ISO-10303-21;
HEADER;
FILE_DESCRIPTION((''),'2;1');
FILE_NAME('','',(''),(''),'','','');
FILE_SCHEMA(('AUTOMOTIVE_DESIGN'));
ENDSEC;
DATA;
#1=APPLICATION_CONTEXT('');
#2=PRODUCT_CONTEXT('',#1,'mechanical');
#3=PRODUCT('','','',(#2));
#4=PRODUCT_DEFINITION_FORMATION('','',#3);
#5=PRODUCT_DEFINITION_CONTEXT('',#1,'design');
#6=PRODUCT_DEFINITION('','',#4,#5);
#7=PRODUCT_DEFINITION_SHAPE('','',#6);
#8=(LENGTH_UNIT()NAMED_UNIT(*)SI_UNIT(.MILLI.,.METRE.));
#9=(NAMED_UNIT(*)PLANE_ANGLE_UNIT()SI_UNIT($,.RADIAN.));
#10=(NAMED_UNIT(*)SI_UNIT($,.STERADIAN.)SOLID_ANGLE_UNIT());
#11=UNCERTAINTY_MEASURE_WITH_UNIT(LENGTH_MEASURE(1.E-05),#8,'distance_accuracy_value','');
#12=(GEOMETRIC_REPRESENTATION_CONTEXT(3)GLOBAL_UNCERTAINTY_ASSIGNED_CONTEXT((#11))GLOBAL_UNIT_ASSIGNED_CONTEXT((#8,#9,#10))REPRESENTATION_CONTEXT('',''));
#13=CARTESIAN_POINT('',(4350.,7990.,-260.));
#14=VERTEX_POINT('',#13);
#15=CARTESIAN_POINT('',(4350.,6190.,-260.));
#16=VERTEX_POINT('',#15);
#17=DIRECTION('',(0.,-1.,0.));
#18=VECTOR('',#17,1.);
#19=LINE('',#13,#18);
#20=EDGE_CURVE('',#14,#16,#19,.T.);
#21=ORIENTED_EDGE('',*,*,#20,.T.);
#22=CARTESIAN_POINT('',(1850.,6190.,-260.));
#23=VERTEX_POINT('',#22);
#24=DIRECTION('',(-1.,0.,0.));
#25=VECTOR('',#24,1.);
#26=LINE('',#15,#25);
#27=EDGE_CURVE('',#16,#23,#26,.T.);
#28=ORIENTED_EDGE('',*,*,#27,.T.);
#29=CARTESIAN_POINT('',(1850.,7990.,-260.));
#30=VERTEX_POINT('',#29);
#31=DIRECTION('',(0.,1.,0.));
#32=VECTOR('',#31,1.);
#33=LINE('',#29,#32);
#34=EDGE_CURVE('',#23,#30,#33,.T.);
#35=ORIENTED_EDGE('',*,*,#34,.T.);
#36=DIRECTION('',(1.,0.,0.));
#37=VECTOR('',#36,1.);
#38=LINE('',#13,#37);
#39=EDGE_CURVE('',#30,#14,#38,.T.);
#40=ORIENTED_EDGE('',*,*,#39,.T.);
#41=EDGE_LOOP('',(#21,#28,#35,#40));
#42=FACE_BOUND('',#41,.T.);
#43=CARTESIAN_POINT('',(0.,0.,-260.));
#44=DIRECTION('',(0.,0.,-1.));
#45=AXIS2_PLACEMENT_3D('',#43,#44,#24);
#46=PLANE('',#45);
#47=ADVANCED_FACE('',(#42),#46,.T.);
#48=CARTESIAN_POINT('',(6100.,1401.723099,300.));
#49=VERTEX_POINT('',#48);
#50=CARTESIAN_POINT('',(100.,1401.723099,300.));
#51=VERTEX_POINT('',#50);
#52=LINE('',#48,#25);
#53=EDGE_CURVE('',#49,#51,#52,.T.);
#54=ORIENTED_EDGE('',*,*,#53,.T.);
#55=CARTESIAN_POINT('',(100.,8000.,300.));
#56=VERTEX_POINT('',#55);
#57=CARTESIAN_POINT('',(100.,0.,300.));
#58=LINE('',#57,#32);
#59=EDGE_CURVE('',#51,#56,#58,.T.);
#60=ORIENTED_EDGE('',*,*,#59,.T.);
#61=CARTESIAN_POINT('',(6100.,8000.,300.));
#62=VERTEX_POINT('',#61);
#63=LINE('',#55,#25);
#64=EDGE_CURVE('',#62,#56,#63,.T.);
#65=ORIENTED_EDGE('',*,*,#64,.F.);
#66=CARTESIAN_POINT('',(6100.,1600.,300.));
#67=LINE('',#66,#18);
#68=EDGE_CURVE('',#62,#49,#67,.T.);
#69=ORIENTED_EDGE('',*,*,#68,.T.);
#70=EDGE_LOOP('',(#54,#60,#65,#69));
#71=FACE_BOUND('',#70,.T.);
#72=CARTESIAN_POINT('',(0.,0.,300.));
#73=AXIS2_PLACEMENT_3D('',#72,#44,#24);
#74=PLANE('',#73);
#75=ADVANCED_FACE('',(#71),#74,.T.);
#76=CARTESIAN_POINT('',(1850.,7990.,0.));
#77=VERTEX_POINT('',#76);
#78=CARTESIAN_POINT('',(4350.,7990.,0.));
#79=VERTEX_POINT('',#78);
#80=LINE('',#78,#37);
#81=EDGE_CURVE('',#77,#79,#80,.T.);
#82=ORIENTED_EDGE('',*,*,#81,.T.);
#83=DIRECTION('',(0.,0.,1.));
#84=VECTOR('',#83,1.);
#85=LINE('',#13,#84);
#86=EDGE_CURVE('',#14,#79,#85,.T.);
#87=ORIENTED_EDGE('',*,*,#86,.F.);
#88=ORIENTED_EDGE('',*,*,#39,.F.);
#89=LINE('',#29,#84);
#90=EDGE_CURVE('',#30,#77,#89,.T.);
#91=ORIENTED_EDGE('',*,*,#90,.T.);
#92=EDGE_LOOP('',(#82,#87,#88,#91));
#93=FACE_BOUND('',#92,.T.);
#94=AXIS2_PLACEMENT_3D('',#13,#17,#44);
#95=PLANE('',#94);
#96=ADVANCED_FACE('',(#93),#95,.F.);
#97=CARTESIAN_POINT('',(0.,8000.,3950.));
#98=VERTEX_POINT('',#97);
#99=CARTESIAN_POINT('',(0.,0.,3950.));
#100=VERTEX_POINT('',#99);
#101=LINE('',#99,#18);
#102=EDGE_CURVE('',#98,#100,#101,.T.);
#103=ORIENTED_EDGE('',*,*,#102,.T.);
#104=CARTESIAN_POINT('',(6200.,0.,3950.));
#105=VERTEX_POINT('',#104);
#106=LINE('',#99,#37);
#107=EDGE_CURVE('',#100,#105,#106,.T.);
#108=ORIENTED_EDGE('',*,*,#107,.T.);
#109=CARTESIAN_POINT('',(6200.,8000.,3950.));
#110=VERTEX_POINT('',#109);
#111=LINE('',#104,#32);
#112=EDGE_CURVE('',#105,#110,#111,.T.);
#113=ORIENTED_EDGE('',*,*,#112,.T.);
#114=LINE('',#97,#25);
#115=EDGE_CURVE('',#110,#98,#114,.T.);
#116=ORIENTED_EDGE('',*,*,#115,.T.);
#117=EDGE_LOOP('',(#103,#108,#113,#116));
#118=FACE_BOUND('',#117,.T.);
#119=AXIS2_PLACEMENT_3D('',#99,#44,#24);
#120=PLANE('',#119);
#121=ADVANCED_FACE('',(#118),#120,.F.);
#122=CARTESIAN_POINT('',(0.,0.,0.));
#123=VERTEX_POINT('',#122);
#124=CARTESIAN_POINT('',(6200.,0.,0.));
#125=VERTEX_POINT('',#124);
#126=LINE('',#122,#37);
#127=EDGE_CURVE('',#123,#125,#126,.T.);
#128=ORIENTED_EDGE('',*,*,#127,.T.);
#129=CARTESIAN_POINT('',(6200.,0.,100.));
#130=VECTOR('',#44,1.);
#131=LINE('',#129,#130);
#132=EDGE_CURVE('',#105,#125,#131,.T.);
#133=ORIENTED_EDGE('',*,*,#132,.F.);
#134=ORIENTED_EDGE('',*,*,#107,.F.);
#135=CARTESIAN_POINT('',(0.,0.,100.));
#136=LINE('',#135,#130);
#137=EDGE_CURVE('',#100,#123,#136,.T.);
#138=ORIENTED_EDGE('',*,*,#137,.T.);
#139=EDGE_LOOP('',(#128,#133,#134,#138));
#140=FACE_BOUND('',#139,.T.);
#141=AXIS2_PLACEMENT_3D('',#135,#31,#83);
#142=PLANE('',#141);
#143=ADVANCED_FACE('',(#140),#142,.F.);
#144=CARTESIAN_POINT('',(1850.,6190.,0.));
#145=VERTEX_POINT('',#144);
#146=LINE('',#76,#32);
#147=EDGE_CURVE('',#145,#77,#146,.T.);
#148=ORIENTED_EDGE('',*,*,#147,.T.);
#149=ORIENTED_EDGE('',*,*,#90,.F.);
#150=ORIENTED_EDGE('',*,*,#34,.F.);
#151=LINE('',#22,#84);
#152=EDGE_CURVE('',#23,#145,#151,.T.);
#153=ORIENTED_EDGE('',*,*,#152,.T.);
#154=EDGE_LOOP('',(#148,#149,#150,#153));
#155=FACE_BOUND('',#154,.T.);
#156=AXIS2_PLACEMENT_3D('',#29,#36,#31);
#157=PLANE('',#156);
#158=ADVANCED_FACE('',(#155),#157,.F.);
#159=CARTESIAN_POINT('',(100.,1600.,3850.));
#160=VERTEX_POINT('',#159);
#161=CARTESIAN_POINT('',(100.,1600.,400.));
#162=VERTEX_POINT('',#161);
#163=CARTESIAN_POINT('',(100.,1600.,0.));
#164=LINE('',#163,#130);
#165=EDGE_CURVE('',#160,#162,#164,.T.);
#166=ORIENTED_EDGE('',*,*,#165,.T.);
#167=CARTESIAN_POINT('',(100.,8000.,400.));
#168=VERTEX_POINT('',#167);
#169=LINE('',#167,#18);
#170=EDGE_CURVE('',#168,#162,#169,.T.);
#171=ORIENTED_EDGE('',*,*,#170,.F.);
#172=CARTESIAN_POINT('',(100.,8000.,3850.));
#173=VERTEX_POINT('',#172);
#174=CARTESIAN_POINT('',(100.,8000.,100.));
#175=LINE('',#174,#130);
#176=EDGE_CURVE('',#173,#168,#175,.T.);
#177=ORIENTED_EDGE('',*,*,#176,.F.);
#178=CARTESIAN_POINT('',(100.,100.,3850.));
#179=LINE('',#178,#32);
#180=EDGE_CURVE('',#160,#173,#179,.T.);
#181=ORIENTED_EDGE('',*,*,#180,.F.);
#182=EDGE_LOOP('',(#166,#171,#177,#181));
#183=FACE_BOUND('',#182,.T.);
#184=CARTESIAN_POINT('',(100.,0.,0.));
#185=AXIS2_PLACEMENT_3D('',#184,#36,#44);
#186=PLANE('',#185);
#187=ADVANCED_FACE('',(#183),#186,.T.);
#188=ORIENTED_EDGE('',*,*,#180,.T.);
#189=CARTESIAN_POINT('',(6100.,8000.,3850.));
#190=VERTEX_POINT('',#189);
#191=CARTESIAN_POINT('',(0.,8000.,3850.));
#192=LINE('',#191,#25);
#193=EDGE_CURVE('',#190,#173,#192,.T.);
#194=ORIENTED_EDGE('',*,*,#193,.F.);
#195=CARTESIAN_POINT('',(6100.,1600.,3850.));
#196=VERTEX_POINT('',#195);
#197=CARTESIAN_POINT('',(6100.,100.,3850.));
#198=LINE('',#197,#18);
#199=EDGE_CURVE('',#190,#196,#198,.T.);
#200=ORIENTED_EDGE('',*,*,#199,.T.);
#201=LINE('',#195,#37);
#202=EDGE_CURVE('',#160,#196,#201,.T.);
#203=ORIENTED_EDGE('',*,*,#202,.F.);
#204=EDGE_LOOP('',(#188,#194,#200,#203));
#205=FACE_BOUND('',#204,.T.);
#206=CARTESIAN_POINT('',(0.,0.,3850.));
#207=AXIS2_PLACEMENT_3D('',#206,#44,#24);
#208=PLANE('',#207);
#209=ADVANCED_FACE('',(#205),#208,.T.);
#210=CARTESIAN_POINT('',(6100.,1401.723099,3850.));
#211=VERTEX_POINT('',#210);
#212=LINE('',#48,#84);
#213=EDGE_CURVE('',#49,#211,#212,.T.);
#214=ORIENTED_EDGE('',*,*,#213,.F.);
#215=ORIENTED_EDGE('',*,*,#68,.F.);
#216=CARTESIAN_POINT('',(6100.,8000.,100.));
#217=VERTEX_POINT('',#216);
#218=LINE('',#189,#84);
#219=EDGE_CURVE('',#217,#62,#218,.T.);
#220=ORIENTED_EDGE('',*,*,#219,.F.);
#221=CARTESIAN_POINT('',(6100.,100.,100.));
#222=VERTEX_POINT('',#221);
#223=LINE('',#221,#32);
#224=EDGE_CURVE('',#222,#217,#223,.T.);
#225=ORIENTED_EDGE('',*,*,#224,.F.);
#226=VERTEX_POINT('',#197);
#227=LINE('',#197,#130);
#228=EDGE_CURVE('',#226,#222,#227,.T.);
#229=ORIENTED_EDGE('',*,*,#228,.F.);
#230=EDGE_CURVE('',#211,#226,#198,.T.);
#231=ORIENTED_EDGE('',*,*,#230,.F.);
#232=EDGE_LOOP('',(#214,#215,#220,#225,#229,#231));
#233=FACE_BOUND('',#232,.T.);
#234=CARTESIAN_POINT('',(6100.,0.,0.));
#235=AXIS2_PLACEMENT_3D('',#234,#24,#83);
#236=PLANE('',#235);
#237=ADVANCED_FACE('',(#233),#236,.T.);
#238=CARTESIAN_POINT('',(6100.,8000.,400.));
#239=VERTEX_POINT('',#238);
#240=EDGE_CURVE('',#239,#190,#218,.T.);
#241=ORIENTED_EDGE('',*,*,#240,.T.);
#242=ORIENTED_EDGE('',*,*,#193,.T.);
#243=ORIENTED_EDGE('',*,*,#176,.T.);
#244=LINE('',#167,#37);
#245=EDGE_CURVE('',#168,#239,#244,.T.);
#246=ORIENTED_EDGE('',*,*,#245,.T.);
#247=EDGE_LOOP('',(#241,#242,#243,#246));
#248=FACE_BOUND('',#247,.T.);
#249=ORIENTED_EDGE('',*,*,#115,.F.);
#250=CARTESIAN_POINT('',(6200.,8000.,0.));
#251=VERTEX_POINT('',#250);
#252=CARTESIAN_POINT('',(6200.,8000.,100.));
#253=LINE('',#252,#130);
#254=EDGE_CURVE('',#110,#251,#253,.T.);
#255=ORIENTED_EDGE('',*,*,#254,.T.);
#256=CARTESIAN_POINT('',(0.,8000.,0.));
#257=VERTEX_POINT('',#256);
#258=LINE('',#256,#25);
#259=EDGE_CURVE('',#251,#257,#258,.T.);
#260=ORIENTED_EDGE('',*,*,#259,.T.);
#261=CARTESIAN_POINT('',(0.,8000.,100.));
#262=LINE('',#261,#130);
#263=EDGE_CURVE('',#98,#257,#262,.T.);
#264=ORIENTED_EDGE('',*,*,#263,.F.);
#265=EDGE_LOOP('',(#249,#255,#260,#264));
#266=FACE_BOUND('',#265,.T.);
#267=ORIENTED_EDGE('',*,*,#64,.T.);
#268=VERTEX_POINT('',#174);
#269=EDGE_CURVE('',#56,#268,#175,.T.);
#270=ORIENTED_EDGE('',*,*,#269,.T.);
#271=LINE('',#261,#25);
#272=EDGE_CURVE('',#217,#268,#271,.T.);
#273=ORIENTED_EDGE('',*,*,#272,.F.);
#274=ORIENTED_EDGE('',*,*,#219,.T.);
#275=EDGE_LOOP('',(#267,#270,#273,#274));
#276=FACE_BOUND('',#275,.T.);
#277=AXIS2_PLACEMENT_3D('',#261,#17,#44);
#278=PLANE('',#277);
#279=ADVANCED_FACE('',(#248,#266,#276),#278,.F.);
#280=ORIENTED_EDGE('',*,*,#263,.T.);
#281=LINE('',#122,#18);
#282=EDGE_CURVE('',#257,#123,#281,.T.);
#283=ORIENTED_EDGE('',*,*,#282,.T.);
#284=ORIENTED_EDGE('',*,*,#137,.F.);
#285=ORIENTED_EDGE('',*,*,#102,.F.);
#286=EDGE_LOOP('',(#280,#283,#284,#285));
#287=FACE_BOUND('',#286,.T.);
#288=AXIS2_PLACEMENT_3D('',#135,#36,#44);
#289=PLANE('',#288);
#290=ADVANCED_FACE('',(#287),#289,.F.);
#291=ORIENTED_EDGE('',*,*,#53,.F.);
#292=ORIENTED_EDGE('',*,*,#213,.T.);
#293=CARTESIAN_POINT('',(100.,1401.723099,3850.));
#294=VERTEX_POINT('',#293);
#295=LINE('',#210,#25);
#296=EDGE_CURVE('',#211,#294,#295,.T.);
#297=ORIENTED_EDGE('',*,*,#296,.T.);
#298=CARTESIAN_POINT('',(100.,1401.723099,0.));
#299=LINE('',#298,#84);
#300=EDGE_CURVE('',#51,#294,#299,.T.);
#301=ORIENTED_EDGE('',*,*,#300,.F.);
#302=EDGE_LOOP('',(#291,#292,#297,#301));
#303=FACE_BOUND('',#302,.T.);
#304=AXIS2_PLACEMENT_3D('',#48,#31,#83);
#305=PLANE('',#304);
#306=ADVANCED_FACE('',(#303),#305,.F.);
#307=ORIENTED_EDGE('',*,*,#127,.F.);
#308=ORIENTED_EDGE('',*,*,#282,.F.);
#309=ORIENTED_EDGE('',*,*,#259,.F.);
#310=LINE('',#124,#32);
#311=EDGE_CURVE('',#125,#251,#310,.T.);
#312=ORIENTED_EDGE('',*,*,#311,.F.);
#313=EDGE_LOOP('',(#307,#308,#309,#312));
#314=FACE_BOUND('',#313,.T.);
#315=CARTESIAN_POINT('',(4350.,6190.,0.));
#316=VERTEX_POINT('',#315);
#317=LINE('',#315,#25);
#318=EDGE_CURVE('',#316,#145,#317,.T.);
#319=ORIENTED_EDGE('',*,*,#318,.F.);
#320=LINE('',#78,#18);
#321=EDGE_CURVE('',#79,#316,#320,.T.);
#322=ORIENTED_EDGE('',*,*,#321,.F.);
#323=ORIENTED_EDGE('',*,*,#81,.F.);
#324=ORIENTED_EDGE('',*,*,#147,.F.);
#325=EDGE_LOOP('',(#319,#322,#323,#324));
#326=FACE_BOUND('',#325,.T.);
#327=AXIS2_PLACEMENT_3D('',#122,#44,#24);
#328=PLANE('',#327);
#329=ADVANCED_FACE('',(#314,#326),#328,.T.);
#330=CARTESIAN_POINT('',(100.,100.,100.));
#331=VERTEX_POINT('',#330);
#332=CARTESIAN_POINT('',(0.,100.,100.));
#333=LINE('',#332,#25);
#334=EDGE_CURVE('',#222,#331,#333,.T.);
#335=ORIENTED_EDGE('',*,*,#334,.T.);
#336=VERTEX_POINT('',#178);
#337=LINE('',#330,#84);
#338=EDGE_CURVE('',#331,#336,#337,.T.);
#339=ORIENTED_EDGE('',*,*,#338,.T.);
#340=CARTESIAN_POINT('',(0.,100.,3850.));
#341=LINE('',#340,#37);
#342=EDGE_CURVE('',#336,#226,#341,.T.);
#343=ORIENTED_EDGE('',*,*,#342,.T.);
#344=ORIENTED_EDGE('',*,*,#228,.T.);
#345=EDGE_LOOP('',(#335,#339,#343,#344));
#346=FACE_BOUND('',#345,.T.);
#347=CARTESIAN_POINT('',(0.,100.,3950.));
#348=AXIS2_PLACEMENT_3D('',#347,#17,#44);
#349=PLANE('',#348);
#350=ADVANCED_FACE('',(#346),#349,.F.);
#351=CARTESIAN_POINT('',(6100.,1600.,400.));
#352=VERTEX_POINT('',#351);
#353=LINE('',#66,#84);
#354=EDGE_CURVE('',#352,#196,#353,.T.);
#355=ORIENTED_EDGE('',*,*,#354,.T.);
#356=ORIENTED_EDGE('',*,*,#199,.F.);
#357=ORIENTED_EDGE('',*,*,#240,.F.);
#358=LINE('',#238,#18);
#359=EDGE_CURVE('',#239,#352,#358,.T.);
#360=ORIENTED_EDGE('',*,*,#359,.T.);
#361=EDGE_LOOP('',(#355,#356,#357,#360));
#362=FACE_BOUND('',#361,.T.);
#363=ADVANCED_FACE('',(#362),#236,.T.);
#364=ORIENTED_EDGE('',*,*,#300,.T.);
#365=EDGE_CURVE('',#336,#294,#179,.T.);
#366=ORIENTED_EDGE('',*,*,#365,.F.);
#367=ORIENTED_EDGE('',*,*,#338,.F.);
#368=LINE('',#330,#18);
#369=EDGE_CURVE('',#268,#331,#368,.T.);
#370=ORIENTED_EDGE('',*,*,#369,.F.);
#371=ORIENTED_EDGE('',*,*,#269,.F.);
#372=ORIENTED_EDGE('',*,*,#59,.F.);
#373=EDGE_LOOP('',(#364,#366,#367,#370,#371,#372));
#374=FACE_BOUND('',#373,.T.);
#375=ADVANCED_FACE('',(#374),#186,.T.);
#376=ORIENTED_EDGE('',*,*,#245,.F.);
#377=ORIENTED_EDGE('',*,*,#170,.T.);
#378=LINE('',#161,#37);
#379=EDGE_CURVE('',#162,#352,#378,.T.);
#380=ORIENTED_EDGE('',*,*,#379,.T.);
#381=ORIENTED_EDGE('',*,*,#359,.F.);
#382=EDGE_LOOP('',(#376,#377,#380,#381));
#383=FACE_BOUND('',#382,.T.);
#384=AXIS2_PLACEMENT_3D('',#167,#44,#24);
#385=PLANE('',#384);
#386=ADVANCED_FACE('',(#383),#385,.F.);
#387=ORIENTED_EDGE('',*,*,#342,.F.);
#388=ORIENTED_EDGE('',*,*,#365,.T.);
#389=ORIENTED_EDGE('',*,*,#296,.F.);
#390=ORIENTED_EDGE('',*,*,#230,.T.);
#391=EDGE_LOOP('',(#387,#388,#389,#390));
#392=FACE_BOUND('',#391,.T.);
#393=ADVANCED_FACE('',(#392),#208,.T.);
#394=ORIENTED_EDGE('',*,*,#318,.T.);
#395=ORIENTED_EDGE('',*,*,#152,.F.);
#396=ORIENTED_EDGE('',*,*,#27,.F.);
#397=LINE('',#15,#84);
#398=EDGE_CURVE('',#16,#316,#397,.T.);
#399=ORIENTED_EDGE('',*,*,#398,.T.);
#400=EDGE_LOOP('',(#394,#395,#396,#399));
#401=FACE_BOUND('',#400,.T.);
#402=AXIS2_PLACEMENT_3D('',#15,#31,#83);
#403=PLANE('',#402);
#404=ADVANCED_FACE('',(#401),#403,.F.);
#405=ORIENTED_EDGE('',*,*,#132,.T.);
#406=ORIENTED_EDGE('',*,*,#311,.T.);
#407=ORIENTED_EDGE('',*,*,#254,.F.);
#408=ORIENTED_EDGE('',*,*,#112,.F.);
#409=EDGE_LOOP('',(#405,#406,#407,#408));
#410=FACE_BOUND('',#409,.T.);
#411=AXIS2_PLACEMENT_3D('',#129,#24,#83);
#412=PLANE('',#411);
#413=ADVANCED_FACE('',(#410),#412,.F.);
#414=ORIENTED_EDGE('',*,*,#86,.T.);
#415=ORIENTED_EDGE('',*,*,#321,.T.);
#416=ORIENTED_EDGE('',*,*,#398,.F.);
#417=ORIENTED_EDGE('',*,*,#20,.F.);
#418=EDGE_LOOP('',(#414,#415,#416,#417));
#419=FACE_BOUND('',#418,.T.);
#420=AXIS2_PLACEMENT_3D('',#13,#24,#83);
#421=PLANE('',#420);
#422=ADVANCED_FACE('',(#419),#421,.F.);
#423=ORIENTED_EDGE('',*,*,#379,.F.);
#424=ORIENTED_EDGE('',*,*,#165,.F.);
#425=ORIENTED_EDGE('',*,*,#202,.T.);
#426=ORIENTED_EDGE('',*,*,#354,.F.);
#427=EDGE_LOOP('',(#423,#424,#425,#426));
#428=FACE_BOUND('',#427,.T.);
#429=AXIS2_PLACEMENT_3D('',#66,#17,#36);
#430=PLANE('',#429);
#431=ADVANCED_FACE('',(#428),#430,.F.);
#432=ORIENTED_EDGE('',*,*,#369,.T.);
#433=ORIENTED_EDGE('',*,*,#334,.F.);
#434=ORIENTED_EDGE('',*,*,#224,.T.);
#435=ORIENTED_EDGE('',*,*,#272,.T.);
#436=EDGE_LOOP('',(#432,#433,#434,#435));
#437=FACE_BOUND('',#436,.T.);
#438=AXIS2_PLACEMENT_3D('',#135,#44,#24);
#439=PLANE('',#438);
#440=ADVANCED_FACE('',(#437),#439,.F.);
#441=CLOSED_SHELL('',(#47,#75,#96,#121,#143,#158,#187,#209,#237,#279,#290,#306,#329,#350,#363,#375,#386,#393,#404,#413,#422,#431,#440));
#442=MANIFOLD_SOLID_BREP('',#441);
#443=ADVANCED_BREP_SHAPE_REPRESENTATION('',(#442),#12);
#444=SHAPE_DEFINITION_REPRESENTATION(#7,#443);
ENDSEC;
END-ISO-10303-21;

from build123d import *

# Parameters (mm, degrees)
SKETCH1_W           = 6200
SKETCH1_H           = 8000
BOSS_EXTRUDE1_DEPTH = 100
SKETCH2_W           = 6200
SKETCH2_H           = 100
BOSS_EXTRUDE2_DEPTH = 3850
SKETCH3_W           = 6200
SKETCH3_H           = 8000
BOSS_EXTRUDE3_DEPTH = 100
SKETCH5_W           = 3750
SKETCH5_H           = 7900
BOSS_EXTRUDE4_DEPTH = 100
SKETCH6_W           = 3750
SKETCH6_H           = 7900
BOSS_EXTRUDE5_DEPTH = 100
SKETCH7_W           = 2500
SKETCH7_H           = 1800
BOSS_EXTRUDE6_DEPTH = 260
SKETCH8_W           = 6100
SKETCH8_H           = 198.276900897
BOSS_EXTRUDE7_DEPTH = 3550
SKETCH9_W           = 6000
SKETCH9_H           = 100
BOSS_EXTRUDE8_DEPTH = 6400


with BuildPart() as part:
    # Sketch1 → Boss-Extrude1 (new body)
    with BuildSketch(Plane.XY):
        with Locations((3100, 4000)):
            Rectangle(SKETCH1_W, SKETCH1_H)
    extrude(amount=BOSS_EXTRUDE1_DEPTH)

    # Sketch2 → Boss-Extrude2 (add)
    with BuildSketch(Plane.XY.offset(100)):
        with Locations((3100, 50)):
            Rectangle(SKETCH2_W, SKETCH2_H)
    extrude(amount=BOSS_EXTRUDE2_DEPTH)

    # Sketch3 → Boss-Extrude3 (add)
    with BuildSketch(Plane.XY.offset(3950)):
        with Locations((3100, 4000)):
            Rectangle(SKETCH3_W, SKETCH3_H)
    extrude(amount=-BOSS_EXTRUDE3_DEPTH)

    # Sketch5 → Boss-Extrude4 (add)
    with BuildSketch(Plane(origin=(6200, 0, 0), x_dir=(0, 0, -1), z_dir=(1, 0, 0))):
        with Locations((-1975, 4050)):
            Rectangle(SKETCH5_W, SKETCH5_H)
    extrude(amount=-BOSS_EXTRUDE4_DEPTH)

    # Sketch6 → Boss-Extrude5 (add)
    with BuildSketch(Plane.ZY):
        with Locations((1975, 4050)):
            Rectangle(SKETCH6_W, SKETCH6_H)
    extrude(amount=-BOSS_EXTRUDE5_DEPTH)

    # Sketch7 → Boss-Extrude6 (add)
    with BuildSketch(Plane(origin=(0, 0, 0), x_dir=(-1, 0, 0), z_dir=(0, 0, -1))):
        with Locations((-3100, 7090)):
            Rectangle(SKETCH7_W, SKETCH7_H)
    extrude(amount=BOSS_EXTRUDE6_DEPTH)

    # Sketch8 → Boss-Extrude7 (add)
    with BuildSketch(Plane(origin=(0, 0, 3850), x_dir=(-1, 0, 0), z_dir=(0, 0, -1))):
        with Locations((-3050, 1500.861549552)):
            Rectangle(SKETCH8_W, SKETCH8_H)
    extrude(amount=BOSS_EXTRUDE7_DEPTH)

    # Sketch9 → Boss-Extrude8 (add)
    with BuildSketch(Plane(origin=(0, 1600, 0), x_dir=(1, 0, 0), z_dir=(0, 1, 0))):
        with Locations((3100, -350)):
            Rectangle(SKETCH9_W, SKETCH9_H)
    extrude(amount=BOSS_EXTRUDE8_DEPTH)


solid = part.part
